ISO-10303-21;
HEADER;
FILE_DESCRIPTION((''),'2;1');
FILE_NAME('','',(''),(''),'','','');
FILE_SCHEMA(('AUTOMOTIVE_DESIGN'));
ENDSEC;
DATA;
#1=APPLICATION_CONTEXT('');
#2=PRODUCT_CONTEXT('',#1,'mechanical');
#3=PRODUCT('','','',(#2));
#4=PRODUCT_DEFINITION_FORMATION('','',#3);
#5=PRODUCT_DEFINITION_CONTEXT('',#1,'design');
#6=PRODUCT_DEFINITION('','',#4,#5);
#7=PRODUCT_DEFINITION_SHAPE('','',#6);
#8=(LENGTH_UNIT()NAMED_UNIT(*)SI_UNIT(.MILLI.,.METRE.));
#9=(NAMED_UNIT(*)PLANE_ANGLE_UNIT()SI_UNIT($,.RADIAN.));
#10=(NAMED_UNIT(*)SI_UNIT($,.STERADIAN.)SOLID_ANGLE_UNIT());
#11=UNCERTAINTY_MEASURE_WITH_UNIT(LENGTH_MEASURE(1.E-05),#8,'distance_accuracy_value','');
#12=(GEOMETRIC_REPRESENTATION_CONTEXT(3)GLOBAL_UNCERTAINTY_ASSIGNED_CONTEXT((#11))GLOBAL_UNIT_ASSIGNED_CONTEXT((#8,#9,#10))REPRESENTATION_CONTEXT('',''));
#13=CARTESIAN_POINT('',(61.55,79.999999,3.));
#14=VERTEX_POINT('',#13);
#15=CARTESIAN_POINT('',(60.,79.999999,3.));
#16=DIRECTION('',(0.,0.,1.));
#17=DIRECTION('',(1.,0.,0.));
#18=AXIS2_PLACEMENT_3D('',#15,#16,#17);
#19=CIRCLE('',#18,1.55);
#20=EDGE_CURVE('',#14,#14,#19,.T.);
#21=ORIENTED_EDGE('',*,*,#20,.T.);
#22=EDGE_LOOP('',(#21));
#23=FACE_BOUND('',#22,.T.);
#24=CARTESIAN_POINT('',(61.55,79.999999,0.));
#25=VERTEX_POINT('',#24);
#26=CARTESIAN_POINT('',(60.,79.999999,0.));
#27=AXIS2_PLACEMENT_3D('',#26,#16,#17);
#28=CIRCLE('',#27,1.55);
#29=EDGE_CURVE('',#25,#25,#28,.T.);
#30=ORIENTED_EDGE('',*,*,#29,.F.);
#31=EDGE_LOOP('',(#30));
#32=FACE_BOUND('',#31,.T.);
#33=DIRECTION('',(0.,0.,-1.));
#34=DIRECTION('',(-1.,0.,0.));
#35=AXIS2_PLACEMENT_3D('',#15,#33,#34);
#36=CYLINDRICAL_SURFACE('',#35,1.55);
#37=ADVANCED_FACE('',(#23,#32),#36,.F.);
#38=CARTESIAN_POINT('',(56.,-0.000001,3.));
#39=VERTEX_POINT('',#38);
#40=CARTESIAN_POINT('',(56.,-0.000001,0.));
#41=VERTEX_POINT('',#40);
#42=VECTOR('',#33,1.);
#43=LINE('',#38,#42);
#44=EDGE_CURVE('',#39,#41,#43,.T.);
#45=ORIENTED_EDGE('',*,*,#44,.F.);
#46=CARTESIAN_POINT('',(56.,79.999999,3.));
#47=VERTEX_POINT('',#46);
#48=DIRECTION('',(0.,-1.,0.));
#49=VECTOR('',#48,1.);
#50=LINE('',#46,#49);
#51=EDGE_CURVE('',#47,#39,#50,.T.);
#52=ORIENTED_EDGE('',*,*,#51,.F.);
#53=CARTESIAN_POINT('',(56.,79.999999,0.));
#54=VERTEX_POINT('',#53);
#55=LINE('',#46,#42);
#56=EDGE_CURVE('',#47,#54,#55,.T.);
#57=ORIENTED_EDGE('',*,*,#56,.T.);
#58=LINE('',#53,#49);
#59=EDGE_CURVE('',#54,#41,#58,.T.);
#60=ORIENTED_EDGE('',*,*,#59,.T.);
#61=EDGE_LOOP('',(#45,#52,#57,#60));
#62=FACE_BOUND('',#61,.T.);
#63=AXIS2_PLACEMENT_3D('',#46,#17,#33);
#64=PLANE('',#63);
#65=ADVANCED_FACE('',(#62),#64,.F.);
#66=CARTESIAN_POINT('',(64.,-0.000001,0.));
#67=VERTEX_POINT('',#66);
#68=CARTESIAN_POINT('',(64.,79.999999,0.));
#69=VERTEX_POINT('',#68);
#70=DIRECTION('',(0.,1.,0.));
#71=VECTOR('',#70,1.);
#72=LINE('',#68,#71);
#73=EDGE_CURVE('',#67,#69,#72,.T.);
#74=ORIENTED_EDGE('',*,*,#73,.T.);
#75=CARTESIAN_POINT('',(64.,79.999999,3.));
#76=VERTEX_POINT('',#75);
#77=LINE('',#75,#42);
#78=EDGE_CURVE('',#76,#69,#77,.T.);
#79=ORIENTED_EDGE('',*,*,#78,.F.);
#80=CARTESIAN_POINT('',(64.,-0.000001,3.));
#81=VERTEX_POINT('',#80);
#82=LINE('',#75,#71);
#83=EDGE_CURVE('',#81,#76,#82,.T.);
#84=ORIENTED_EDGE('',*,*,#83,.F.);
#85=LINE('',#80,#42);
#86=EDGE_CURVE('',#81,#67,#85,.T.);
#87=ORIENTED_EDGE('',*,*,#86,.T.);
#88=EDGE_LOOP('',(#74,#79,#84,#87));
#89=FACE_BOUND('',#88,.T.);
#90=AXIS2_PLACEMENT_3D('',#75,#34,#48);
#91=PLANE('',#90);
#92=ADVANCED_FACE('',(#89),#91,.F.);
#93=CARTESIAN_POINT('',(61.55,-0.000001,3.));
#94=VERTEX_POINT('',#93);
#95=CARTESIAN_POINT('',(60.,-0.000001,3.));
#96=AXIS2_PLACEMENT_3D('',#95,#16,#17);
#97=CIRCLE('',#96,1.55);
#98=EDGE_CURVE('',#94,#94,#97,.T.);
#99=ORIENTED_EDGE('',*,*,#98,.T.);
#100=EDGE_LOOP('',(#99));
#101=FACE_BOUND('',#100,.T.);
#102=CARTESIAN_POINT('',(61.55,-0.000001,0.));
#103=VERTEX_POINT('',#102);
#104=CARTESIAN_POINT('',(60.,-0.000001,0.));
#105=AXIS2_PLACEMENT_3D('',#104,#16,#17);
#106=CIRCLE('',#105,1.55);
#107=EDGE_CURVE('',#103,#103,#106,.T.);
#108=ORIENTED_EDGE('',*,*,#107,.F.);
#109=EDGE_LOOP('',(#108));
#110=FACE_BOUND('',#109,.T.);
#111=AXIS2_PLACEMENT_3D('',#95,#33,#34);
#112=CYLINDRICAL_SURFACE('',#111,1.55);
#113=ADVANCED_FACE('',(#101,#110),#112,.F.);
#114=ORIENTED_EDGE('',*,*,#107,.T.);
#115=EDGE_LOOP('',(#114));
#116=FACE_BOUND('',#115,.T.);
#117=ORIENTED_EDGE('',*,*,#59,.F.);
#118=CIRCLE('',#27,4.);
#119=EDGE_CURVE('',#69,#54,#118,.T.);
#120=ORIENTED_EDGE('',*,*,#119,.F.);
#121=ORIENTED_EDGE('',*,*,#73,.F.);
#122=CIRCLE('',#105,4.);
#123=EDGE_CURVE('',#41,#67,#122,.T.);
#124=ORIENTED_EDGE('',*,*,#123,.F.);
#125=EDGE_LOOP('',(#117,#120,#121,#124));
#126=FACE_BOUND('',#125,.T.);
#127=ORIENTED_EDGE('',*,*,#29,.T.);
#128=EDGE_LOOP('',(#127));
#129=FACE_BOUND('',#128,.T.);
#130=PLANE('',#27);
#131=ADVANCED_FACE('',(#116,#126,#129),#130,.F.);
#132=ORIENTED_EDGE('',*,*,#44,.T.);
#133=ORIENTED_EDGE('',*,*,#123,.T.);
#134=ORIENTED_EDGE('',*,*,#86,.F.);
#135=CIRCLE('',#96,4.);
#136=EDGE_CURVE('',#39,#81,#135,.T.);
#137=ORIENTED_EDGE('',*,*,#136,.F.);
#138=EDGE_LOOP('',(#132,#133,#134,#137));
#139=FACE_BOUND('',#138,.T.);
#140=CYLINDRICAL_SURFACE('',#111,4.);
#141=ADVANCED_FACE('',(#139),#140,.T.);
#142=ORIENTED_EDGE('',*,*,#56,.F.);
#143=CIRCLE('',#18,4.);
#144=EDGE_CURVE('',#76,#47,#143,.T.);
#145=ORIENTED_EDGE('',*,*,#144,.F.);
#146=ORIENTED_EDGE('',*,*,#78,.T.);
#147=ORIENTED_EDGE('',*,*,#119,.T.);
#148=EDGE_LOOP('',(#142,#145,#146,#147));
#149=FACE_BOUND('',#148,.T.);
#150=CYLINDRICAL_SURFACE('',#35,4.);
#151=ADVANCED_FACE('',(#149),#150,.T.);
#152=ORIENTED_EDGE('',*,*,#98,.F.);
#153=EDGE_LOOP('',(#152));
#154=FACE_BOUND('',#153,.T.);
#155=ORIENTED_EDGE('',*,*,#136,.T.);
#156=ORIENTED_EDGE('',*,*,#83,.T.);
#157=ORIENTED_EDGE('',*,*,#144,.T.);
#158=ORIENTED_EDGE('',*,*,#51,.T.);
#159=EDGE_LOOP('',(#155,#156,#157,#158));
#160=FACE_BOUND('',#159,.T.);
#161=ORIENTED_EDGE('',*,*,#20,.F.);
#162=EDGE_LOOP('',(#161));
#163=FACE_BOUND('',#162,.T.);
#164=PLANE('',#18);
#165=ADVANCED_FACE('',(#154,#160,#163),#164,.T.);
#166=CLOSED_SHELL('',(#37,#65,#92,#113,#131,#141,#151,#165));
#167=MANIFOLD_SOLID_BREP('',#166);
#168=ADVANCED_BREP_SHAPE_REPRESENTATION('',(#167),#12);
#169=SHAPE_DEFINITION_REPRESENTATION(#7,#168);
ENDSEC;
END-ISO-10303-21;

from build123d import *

# Parameters (mm, degrees)
MODEL_R             = 1.550000002
BOSS_EXTRUDE1_DEPTH = 3


with BuildPart() as part:
    # Model → Boss-Extrude1 (new body)
    with BuildSketch(Plane.XY):
        with BuildLine():
            Line((56, 79.999999192), (56, -8.06e-07))
            ThreePointArc((56, -8.06e-07), (59.999999998, -4.000000808), (64, -8.07e-07))
            Line((64, -8.07e-07), (64, 79.999999192))
            ThreePointArc((64, 79.999999192), (59.999999999, 83.999999192), (56, 79.999999192))
        make_face()
        with Locations((59.999999998, 79.999999191)):
            Circle(MODEL_R, mode=Mode.SUBTRACT)
        with Locations((59.999999998, -8.09e-07)):
            Circle(MODEL_R, mode=Mode.SUBTRACT)
    extrude(amount=BOSS_EXTRUDE1_DEPTH)


solid = part.part
